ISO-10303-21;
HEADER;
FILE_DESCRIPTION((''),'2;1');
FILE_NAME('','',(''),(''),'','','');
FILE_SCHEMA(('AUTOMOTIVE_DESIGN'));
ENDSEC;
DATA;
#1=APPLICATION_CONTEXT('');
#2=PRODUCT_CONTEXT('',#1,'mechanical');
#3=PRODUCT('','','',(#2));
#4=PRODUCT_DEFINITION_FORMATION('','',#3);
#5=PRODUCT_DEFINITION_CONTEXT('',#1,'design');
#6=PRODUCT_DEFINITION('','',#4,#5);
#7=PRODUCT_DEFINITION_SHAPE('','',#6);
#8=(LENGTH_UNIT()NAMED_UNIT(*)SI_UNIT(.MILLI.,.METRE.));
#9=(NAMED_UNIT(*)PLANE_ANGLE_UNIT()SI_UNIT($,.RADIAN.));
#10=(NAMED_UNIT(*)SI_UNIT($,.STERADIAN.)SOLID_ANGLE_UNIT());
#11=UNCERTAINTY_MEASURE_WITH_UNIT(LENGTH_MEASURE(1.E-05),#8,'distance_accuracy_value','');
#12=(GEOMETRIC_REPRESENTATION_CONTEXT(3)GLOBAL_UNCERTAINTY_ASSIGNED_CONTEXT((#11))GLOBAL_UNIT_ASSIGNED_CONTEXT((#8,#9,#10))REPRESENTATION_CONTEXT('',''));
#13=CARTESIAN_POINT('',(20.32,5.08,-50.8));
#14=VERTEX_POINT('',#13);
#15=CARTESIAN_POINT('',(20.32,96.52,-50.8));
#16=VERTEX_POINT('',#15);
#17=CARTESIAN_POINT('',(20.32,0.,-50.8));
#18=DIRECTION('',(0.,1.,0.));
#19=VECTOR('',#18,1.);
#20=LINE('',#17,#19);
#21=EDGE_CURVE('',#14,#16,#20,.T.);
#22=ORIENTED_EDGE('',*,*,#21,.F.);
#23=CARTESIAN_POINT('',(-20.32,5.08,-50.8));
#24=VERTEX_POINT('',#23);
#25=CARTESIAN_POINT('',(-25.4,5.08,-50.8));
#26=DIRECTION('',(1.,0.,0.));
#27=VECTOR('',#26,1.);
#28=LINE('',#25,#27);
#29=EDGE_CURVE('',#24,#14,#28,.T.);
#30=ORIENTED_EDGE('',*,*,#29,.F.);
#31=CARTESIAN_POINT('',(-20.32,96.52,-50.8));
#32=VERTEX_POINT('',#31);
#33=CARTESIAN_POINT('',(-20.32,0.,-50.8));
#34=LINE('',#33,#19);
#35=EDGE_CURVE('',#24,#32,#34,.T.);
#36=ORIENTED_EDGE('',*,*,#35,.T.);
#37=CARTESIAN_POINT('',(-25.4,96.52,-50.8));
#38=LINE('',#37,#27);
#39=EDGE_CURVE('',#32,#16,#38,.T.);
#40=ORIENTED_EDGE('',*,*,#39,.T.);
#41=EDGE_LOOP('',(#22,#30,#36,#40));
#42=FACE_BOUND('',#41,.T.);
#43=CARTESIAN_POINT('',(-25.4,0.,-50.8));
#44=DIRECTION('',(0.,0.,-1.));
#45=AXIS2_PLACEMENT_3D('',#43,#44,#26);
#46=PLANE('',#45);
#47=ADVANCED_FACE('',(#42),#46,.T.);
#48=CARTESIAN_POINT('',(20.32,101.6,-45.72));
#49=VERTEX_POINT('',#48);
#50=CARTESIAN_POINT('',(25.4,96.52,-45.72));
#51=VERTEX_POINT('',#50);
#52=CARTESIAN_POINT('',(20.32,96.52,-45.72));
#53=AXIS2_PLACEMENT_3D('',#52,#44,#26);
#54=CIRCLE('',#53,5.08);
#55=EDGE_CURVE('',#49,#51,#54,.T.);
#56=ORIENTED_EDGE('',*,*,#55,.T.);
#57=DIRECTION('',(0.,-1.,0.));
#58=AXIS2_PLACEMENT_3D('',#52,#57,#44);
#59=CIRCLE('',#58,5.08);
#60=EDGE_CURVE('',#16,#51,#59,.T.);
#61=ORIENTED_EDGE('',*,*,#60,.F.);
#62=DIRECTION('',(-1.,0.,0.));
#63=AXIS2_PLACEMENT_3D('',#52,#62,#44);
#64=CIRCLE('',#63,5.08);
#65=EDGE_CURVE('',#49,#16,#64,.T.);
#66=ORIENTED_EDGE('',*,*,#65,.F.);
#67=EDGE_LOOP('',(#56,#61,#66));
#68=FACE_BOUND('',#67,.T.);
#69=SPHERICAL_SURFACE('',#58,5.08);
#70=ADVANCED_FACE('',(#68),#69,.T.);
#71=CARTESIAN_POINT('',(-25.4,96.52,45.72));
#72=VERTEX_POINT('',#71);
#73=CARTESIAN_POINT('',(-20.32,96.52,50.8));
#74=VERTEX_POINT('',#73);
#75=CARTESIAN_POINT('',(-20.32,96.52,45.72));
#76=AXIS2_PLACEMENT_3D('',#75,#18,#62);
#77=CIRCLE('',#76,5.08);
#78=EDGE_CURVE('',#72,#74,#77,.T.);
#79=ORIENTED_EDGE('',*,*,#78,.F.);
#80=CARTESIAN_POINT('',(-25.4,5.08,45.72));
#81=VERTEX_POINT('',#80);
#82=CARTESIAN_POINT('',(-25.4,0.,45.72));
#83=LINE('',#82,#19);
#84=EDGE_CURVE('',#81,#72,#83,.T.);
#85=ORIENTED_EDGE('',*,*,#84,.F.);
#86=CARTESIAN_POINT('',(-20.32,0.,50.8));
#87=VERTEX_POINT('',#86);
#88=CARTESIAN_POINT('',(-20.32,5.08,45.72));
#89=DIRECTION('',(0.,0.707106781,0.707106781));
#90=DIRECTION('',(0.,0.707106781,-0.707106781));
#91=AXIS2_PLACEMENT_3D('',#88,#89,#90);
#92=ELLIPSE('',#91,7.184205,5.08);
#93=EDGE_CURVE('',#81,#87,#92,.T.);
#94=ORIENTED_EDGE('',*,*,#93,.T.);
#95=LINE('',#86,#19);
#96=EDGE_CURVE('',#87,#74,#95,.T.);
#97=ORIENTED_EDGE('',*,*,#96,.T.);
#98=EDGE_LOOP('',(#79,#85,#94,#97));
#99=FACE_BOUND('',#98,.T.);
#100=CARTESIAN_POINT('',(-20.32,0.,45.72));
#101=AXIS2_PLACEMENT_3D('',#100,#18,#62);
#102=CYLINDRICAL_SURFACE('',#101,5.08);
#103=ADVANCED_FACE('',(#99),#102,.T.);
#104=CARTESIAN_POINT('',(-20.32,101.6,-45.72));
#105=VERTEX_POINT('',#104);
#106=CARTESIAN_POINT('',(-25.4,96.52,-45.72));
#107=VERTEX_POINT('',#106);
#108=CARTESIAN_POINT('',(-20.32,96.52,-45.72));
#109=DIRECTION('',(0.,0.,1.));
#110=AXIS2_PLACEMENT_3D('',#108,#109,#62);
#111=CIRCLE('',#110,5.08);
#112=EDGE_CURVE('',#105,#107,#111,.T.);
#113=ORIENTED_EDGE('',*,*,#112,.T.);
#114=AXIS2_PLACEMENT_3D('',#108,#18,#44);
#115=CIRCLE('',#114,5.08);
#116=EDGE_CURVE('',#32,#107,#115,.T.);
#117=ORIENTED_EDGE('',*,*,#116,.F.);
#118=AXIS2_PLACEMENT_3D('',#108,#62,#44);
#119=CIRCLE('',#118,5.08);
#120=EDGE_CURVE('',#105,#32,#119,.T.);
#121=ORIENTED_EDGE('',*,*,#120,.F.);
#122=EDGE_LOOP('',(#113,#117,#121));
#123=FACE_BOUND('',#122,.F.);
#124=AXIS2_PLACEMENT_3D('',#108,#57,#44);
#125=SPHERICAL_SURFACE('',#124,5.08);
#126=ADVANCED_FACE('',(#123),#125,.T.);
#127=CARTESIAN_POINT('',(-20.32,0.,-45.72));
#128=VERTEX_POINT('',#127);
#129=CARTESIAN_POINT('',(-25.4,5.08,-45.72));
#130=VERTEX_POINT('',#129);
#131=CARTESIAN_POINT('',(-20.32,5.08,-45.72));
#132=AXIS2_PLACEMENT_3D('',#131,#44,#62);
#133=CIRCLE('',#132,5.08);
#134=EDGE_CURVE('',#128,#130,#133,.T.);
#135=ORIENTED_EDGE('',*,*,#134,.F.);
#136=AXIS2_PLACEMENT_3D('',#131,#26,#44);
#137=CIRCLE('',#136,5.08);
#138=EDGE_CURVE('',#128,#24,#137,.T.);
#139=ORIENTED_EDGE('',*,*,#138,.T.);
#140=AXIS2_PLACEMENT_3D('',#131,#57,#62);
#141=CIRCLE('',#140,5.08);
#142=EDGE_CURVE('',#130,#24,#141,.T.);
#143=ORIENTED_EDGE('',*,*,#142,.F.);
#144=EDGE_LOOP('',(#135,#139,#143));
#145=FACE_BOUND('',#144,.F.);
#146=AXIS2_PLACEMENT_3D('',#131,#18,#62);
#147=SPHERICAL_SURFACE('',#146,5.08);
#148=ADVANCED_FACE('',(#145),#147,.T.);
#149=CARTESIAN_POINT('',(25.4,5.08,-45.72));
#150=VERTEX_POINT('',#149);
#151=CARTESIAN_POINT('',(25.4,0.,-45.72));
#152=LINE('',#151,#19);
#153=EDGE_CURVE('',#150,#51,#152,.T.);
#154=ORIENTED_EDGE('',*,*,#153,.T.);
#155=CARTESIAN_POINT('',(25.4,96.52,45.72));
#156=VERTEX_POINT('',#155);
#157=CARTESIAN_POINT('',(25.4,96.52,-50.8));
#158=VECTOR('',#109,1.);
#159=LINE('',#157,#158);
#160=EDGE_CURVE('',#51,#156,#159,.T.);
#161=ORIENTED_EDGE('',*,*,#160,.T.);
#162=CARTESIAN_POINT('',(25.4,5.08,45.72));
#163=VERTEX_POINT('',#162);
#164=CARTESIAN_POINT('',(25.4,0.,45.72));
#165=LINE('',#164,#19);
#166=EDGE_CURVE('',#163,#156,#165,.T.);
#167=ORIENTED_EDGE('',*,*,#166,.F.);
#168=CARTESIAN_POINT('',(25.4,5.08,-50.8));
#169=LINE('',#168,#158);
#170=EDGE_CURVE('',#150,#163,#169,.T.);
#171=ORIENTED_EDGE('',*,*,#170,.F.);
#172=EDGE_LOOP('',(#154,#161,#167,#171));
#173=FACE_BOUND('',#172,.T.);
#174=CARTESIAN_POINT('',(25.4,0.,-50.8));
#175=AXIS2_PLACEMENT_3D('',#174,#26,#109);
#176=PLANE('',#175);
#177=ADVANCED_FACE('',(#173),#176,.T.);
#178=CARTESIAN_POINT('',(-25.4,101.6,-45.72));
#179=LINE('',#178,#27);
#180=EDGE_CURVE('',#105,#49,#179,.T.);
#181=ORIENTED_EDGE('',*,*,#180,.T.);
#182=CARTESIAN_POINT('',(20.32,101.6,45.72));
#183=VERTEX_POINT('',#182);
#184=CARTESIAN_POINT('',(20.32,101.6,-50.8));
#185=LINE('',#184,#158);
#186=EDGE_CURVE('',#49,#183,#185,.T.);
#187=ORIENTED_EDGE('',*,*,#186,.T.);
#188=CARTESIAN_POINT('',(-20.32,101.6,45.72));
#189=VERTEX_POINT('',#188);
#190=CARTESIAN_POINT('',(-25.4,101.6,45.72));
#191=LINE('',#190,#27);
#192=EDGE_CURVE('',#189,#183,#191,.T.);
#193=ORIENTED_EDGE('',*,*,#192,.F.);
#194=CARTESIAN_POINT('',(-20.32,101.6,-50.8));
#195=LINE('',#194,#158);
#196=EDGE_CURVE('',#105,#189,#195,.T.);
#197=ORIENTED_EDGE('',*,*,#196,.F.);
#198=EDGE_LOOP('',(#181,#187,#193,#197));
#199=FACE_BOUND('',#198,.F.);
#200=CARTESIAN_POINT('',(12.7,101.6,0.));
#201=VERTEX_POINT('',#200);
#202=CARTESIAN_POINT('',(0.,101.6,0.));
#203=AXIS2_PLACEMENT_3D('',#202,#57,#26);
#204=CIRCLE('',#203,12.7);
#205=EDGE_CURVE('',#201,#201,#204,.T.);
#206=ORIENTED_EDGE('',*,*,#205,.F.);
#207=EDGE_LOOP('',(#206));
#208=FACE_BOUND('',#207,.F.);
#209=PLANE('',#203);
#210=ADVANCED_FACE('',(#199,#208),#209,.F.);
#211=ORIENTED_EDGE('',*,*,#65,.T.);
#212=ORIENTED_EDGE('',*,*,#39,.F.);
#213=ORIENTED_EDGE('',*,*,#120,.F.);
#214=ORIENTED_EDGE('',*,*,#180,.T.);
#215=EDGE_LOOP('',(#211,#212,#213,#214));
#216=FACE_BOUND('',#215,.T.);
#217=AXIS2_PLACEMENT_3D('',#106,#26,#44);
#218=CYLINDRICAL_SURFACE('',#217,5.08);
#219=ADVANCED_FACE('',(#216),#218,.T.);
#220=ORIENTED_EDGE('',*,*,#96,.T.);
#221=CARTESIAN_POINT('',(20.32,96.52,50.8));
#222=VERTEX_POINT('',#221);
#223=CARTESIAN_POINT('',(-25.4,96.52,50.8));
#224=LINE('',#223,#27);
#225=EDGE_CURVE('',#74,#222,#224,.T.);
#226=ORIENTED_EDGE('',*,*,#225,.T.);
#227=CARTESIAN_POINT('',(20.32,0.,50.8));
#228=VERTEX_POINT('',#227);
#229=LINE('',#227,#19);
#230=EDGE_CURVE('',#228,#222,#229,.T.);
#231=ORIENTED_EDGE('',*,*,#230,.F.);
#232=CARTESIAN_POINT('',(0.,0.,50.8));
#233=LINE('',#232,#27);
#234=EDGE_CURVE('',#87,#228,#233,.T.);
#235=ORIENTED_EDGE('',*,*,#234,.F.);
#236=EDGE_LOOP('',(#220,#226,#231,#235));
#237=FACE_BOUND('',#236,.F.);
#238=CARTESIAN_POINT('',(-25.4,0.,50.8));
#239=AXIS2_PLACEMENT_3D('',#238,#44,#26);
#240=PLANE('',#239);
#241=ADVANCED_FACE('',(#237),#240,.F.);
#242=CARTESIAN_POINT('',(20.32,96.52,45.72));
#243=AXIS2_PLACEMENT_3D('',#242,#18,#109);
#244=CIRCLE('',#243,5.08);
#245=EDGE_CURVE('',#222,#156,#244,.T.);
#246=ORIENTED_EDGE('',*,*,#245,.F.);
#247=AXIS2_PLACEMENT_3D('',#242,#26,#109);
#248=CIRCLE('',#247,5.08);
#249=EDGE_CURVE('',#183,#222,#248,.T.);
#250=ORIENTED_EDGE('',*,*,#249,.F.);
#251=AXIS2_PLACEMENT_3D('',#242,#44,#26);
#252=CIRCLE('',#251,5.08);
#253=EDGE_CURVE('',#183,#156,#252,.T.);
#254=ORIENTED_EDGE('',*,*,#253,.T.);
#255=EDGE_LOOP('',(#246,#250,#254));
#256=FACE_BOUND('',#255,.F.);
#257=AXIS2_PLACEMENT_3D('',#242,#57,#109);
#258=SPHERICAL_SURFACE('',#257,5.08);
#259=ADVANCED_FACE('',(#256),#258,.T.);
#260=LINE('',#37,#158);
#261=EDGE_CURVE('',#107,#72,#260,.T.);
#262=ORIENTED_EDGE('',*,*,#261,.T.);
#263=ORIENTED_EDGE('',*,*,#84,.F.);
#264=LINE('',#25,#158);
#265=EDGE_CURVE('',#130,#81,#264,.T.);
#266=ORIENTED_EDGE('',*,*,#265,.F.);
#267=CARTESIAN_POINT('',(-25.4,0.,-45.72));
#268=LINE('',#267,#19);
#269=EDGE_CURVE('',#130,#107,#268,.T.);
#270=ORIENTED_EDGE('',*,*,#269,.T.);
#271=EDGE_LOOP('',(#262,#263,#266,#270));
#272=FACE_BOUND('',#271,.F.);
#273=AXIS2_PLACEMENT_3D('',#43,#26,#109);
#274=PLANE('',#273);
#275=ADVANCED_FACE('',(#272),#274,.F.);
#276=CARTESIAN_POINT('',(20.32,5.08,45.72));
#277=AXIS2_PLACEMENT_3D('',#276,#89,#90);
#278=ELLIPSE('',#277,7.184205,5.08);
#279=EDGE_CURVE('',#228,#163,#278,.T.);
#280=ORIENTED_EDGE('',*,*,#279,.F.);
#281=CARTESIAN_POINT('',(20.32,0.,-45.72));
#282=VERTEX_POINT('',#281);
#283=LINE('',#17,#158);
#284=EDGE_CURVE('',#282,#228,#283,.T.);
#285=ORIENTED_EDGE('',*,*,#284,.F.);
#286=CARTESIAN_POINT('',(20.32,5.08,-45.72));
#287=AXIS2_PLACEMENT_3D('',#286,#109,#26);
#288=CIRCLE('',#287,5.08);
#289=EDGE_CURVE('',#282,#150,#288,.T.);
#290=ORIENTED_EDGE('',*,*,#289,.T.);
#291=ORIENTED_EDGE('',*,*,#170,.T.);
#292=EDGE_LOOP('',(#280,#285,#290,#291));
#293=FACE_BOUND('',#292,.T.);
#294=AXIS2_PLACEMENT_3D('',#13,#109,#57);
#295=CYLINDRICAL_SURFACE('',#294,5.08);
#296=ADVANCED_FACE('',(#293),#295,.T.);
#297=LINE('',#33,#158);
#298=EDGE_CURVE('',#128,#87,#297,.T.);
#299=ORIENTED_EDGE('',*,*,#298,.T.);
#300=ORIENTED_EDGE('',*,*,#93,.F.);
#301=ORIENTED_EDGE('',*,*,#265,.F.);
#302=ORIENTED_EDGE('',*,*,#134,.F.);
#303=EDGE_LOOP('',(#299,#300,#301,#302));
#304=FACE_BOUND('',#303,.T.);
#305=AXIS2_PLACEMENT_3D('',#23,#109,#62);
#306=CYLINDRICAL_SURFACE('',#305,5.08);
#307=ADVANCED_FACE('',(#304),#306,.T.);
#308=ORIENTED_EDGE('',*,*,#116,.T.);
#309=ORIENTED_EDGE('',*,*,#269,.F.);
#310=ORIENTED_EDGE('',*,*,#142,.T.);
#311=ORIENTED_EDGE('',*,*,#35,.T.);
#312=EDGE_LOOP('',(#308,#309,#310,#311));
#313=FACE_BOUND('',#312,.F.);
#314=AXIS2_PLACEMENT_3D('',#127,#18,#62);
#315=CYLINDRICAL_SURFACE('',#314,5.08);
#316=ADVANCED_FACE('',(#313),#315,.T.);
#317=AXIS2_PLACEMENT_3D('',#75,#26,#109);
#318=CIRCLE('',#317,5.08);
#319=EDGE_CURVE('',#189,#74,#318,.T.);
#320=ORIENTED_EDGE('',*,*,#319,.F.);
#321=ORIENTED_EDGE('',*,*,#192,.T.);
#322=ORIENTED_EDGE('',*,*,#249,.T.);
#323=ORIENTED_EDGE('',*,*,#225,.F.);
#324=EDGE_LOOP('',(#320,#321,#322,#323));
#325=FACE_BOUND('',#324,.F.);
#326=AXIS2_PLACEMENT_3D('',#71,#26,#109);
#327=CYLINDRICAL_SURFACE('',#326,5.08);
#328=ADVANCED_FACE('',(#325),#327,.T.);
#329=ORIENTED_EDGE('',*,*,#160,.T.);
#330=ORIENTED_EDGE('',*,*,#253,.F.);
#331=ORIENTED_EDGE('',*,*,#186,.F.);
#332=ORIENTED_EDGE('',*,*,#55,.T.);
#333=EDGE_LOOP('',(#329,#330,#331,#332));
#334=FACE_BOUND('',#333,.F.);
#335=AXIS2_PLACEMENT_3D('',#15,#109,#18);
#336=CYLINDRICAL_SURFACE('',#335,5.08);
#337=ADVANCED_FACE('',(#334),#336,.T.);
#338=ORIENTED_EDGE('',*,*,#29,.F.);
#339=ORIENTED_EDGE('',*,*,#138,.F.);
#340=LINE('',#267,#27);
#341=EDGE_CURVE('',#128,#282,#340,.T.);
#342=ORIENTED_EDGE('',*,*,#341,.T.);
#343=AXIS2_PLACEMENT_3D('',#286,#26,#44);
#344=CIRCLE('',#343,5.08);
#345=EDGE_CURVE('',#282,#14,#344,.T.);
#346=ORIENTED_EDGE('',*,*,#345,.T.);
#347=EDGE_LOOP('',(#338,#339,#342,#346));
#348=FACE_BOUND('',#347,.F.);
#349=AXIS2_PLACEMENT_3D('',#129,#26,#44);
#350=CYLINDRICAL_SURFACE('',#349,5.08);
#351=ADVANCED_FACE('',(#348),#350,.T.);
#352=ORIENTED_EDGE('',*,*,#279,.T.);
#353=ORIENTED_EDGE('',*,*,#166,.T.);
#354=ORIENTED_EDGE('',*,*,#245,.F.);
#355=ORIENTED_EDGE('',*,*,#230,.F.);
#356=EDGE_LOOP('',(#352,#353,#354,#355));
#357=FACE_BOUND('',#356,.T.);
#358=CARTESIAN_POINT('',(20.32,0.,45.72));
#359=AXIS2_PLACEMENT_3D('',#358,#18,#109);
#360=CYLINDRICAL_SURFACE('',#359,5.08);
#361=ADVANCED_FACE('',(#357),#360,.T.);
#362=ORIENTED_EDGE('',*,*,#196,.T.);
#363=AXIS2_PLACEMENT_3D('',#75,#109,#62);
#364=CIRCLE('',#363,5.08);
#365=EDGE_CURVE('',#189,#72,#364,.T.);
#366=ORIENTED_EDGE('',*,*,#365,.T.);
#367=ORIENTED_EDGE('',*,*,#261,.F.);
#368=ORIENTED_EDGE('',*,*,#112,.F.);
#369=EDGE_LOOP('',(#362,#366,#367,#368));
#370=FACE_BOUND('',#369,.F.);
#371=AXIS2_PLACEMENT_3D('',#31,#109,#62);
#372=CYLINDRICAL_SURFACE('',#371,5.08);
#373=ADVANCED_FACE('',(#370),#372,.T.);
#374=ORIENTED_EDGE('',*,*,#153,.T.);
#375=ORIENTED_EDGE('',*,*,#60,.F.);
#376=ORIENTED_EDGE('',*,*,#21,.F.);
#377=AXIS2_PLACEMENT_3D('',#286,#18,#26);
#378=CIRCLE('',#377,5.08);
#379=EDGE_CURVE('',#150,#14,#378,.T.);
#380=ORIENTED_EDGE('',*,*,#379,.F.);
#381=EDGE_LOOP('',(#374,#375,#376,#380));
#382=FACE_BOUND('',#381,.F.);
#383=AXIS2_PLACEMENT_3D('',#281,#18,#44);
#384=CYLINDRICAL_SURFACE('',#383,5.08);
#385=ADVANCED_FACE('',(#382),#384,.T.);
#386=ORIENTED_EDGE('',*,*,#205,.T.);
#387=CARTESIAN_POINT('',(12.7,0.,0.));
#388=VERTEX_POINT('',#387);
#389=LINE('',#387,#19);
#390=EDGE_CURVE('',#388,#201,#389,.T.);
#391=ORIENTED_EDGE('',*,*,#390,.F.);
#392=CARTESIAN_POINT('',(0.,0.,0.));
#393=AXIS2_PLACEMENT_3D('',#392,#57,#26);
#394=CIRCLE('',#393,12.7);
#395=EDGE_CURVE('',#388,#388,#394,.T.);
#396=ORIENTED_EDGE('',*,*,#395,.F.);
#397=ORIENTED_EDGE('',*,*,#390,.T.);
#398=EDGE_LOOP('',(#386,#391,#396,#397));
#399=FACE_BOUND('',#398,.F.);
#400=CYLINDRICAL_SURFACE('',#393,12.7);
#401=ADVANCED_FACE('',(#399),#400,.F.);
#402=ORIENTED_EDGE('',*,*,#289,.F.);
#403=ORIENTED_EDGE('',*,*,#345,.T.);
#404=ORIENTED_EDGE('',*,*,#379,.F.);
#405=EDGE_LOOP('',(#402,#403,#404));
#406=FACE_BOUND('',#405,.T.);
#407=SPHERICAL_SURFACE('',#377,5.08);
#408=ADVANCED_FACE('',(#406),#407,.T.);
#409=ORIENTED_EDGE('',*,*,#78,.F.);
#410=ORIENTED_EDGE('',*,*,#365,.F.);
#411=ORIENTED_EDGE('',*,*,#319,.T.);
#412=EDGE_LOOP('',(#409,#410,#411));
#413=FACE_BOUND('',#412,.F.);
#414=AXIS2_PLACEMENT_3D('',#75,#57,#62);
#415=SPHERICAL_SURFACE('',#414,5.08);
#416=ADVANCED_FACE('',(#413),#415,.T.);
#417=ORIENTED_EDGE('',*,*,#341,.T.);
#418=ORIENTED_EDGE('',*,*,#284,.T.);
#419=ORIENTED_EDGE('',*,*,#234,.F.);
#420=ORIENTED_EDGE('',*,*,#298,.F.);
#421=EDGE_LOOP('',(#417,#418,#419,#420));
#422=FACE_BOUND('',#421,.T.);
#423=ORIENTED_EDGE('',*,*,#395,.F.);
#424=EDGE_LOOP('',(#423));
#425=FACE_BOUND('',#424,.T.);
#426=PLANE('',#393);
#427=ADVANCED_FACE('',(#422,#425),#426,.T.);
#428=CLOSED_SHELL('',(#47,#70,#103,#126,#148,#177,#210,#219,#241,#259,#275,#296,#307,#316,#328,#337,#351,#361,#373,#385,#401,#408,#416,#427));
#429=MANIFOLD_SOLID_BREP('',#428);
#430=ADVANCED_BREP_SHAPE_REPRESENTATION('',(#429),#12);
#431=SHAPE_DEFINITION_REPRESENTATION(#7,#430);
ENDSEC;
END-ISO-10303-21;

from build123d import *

# Parameters (mm, degrees)
F0_W     = 50.8
F0_H     = 101.6
F1_DEPTH = 101.6
F2_R     = 12.7
F3_DEPTH = 101.6
F4_R     = 5.08


with BuildPart() as f1:
    # F0 (on Front) → F1 (new body)
    with BuildSketch(Plane.XZ):
        Rectangle(F0_W, F0_H)
    extrude(amount=-F1_DEPTH)

    # F2 (on Front) → F3 (cut, through all)
    with BuildSketch(Plane.XZ):
        Circle(F2_R)
    extrude(amount=-F3_DEPTH, mode=Mode.SUBTRACT)

    # F4
    f4_edges = [f1.edges().sort_by_distance(p)[0] for p in [
        (25.4, 50.8, 50.8),
        (-25.4, 50.8, 50.8),
        (25.4, 50.8, -50.8),
        (-25.4, 50.8, -50.8),
        (0, 101.6, -50.8),
        (-25.4, 101.6, 0),
        (0, 101.6, 50.8),
        (25.4, 101.6, 0),
        (25.4, 0, 0),
        (-25.4, 0, 0),
        (0, 0, -50.8),
    ]]
    fillet(f4_edges, radius=F4_R)


solid = f1.part
